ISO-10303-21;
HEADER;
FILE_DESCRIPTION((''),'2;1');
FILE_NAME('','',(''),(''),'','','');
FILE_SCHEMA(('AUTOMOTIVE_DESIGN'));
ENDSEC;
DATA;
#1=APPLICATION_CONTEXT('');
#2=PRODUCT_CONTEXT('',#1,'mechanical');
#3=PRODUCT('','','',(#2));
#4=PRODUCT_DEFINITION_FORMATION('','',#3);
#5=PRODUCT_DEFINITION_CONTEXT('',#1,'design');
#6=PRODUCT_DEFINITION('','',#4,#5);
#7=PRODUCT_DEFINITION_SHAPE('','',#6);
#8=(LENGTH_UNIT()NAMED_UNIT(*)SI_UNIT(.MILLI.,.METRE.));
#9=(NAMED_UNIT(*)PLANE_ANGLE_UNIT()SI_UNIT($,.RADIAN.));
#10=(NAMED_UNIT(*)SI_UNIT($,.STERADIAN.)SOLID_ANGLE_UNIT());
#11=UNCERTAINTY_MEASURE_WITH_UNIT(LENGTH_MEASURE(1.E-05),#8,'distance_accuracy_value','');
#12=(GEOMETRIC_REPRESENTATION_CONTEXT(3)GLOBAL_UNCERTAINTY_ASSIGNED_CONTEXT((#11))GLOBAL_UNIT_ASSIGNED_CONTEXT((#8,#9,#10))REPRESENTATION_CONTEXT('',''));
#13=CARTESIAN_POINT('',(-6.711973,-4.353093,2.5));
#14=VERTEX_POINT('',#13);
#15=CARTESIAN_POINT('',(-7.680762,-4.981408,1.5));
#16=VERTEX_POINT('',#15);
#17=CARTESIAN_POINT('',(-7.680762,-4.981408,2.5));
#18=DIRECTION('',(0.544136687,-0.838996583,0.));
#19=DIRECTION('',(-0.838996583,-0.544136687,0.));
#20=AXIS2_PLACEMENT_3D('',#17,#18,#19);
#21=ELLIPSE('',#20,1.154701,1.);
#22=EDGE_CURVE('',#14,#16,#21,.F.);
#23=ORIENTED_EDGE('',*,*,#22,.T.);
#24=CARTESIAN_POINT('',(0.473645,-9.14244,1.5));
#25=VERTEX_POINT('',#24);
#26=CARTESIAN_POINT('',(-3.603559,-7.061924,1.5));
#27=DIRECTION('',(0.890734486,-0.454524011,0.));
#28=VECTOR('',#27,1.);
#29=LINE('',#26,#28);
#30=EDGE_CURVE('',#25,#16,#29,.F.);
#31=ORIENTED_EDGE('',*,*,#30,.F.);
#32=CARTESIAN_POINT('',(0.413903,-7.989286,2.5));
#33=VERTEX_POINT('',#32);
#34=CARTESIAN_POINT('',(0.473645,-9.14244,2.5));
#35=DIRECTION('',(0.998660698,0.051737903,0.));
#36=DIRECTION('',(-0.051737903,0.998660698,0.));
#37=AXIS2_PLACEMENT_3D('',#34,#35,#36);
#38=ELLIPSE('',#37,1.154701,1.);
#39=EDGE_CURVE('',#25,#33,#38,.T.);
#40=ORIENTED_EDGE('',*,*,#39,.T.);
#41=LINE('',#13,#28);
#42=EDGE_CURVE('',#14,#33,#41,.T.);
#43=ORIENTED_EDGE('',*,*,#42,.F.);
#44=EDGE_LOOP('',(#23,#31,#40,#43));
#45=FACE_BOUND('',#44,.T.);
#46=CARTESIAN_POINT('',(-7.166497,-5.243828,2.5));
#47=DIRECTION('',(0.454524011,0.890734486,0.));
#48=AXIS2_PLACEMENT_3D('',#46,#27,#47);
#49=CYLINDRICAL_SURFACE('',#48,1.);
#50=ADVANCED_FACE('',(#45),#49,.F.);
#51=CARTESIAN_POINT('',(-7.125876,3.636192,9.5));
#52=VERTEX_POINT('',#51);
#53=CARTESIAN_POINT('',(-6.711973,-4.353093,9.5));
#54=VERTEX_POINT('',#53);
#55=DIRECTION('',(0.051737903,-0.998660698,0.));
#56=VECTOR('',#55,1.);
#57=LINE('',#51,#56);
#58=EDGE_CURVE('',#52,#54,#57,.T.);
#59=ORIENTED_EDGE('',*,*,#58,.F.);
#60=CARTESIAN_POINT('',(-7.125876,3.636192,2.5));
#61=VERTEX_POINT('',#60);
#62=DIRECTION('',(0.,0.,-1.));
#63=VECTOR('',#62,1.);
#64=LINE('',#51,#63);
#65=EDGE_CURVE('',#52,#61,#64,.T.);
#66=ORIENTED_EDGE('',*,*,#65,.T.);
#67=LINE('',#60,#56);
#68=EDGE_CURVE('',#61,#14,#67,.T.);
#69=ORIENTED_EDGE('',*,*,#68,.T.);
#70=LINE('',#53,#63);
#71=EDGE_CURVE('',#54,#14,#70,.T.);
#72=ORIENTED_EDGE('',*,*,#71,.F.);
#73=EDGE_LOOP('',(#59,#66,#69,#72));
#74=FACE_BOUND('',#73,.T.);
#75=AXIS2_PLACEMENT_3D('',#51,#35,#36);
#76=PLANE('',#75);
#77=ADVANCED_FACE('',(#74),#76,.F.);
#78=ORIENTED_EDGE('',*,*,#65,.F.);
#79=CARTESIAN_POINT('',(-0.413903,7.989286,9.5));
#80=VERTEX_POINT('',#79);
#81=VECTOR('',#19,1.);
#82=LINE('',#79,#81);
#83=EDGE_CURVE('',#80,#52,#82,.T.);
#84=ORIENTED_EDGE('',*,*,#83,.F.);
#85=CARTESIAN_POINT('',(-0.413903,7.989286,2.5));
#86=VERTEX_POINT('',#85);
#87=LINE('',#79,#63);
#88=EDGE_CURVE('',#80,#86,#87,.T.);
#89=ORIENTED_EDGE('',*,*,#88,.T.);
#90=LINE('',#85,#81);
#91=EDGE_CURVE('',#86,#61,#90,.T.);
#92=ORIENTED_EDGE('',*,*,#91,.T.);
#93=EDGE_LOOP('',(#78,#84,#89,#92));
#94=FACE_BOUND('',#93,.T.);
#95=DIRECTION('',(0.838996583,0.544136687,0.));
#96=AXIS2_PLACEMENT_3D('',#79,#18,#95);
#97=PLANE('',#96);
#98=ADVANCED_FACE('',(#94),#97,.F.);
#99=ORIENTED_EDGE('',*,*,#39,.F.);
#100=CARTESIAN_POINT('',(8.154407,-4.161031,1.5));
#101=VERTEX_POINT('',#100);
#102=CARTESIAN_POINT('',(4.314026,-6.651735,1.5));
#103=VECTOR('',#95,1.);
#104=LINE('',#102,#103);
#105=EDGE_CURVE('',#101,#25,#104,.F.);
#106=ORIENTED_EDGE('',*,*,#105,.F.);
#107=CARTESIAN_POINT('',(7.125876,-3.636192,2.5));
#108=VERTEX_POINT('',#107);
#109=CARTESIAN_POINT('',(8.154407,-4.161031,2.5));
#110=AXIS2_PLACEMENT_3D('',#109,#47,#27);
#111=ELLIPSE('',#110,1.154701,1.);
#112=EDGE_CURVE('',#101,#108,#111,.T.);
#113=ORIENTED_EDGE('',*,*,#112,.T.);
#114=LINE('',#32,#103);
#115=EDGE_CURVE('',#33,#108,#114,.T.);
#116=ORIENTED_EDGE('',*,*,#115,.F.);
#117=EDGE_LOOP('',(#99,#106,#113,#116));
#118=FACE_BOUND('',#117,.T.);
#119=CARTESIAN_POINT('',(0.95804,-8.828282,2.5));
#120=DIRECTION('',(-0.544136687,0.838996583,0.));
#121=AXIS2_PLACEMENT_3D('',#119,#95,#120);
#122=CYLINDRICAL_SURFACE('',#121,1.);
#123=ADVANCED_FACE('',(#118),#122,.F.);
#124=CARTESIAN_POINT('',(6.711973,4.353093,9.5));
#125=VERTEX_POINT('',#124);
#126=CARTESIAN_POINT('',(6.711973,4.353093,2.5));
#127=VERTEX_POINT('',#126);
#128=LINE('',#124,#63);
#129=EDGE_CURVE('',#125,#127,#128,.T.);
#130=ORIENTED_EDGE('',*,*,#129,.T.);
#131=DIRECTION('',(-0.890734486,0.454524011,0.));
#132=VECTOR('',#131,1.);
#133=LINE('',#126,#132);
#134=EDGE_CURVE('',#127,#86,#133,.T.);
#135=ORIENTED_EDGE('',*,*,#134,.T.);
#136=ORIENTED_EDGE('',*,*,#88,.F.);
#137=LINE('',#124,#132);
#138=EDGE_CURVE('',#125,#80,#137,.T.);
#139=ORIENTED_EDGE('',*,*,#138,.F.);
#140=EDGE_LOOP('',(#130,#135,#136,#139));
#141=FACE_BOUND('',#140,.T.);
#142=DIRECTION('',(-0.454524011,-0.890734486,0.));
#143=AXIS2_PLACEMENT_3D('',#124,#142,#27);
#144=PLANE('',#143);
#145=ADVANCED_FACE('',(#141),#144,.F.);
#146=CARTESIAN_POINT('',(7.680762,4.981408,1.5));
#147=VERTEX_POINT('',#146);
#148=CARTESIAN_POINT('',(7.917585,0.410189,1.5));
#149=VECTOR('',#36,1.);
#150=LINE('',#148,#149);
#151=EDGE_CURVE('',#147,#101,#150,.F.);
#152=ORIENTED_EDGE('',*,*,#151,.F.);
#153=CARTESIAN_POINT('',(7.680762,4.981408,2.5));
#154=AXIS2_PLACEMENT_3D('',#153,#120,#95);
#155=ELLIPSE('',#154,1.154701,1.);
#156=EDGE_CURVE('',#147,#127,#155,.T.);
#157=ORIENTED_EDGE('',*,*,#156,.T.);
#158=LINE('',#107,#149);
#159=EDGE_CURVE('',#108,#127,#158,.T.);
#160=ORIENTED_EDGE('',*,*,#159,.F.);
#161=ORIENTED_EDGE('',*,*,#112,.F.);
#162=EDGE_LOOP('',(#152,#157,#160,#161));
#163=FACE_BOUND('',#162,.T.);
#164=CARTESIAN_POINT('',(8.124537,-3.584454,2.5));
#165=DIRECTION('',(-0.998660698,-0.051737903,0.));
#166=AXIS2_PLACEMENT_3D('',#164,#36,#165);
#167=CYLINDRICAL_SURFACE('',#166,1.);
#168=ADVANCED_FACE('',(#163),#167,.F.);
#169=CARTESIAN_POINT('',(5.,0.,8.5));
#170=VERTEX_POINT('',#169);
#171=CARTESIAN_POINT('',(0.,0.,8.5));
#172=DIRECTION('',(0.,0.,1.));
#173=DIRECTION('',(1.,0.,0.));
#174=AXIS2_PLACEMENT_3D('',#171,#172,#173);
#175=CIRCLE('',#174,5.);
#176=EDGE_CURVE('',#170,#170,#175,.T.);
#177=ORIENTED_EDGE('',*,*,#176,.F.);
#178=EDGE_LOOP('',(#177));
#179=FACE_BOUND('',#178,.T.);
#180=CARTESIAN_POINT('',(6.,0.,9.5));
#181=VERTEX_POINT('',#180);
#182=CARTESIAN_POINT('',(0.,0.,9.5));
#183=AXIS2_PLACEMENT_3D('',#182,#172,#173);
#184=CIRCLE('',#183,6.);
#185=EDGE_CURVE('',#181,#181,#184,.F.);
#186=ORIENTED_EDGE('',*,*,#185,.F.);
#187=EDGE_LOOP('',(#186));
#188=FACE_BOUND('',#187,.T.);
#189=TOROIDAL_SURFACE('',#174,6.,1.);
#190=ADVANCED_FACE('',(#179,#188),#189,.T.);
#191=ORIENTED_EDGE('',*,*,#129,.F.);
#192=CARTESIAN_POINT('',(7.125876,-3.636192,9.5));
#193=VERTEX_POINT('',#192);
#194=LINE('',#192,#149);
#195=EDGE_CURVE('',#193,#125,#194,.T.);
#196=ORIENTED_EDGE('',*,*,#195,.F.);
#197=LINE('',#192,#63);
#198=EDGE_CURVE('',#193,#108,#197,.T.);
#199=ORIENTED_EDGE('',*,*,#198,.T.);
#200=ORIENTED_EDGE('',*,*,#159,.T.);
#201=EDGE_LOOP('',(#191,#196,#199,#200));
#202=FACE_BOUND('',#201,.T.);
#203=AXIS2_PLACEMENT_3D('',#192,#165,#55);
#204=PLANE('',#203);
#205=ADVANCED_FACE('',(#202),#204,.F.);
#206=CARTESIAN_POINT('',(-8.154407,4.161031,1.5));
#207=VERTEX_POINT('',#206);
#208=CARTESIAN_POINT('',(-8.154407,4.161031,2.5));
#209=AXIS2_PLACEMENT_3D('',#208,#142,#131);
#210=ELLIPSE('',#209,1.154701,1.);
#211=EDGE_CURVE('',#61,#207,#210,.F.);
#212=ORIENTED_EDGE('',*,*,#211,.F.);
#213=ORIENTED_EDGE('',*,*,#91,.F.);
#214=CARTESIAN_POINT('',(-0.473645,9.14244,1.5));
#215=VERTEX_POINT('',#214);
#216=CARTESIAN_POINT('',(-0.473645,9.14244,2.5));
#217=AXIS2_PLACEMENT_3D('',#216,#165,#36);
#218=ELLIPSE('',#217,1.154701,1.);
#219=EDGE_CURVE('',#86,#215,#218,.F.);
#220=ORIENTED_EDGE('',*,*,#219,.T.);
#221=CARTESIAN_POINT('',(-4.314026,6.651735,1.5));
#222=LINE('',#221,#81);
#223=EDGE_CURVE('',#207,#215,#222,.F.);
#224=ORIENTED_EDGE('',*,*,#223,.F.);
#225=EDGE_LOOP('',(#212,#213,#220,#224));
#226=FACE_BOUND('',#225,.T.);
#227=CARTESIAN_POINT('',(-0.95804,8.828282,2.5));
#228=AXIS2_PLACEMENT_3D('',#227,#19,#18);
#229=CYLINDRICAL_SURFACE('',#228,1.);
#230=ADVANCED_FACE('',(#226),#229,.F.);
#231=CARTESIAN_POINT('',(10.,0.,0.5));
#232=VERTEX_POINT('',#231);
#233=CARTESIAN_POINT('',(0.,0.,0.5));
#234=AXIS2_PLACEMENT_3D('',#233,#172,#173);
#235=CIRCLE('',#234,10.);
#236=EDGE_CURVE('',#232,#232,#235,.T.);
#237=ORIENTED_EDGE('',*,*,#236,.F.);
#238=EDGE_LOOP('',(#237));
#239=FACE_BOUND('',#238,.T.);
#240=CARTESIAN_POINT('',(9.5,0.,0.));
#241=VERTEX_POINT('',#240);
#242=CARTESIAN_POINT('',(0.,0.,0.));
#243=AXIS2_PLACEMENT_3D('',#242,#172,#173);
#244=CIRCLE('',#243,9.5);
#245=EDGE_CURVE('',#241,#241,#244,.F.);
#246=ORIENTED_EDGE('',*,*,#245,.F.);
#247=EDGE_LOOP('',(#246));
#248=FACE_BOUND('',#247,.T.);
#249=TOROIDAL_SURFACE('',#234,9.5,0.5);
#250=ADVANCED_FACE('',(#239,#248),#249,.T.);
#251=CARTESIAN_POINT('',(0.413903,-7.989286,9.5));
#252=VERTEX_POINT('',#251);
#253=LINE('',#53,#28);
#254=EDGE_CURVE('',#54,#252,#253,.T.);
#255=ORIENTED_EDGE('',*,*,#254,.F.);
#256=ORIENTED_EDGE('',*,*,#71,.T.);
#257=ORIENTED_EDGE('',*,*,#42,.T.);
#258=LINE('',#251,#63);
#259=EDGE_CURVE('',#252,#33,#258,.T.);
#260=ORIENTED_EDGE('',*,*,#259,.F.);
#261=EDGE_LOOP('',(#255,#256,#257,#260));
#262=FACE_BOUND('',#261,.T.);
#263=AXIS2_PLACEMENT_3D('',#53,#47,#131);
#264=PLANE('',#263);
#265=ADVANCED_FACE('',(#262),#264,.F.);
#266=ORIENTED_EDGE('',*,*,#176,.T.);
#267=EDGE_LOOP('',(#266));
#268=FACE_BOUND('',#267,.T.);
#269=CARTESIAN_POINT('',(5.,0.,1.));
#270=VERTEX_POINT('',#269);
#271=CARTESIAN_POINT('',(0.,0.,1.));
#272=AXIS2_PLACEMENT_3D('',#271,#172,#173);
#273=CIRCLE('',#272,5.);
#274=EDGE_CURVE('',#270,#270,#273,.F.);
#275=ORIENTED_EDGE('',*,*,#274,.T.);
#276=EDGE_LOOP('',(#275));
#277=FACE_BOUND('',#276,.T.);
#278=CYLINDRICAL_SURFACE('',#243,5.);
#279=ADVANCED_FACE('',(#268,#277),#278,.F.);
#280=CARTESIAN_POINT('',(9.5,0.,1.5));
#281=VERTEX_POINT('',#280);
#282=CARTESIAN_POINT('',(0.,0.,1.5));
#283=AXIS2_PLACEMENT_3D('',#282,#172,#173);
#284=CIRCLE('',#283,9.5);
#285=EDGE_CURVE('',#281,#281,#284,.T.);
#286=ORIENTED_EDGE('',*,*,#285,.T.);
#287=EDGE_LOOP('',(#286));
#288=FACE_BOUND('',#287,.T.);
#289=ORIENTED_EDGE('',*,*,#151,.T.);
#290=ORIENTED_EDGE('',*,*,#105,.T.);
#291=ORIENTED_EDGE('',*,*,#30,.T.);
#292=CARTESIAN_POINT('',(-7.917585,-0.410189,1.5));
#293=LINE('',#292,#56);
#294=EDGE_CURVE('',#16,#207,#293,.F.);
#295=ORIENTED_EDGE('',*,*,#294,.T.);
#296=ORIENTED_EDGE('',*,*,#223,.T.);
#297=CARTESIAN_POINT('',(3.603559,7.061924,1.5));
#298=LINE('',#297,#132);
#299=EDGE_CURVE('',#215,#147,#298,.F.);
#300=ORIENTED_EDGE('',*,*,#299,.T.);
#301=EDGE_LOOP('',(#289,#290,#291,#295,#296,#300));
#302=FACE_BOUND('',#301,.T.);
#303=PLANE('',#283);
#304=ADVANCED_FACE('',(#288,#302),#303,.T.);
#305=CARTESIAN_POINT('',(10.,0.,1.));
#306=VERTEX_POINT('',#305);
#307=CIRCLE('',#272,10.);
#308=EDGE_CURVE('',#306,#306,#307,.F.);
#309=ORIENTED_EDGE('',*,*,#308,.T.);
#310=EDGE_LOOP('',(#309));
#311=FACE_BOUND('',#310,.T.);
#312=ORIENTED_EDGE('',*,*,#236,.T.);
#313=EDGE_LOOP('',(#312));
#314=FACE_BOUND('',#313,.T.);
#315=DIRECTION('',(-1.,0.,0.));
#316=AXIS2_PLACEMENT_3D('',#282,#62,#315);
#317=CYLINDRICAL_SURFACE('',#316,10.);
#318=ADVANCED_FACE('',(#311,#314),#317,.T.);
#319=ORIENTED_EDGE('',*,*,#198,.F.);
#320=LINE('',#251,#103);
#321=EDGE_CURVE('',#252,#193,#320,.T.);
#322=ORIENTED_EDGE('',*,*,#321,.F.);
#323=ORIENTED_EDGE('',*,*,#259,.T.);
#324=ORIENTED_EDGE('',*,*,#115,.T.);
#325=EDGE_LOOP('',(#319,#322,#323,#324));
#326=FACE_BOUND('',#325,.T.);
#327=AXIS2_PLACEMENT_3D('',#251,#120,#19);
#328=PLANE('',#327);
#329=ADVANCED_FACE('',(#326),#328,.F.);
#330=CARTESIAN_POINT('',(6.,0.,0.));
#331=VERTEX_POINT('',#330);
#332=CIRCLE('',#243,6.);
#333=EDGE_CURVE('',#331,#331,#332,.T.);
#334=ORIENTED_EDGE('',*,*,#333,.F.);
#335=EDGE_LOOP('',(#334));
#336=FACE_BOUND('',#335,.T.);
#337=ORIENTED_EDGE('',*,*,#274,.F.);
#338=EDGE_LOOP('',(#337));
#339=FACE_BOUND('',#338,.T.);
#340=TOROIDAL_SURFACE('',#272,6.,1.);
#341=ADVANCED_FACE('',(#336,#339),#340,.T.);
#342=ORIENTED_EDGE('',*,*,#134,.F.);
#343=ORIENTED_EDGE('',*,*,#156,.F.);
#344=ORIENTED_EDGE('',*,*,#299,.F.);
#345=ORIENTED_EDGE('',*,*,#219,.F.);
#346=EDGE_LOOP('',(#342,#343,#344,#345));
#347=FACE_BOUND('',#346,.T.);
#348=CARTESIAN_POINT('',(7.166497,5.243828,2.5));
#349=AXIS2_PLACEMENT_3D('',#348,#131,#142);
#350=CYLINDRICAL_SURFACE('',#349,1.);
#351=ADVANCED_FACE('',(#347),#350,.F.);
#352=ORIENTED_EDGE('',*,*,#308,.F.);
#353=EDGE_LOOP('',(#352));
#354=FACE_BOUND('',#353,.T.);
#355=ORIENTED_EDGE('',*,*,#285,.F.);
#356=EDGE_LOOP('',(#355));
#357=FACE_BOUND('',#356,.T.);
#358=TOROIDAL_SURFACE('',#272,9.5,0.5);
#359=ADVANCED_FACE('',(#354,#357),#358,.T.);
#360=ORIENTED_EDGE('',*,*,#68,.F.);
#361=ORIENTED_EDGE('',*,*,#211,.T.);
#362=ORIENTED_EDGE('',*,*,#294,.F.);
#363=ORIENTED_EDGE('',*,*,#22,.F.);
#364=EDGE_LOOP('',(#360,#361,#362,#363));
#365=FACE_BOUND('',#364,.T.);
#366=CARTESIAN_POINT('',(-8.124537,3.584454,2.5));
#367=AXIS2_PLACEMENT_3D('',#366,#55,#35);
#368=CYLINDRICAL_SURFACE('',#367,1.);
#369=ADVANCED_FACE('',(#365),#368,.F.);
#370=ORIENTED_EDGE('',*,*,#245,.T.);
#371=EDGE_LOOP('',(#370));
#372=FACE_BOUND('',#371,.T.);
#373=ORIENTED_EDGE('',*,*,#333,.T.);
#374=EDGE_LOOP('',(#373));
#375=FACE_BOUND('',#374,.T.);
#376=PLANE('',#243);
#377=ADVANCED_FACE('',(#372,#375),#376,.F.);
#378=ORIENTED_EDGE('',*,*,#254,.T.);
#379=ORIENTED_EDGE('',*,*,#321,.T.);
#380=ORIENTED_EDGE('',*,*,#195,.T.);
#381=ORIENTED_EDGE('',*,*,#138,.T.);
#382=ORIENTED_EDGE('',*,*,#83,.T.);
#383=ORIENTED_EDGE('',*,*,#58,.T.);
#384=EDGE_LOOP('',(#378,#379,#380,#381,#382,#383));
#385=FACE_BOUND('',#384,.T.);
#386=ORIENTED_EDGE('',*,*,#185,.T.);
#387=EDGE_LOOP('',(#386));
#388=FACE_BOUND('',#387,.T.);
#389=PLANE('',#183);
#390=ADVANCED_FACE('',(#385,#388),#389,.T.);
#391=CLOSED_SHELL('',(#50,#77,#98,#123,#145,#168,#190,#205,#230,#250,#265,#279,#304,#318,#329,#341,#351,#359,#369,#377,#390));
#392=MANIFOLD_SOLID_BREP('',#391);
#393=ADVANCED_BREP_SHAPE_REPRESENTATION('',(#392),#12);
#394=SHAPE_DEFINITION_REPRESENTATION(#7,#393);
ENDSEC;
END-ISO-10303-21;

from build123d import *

# Parameters (mm, degrees)
SKETCH1_R           = 10
BOSS_EXTRUDE2_DEPTH = 1.5
FILLET1_R           = 0.5
BOSS_EXTRUDE3_DEPTH = 8
FILLET2_R           = 1
SKETCH5_R           = 5
CUT_EXTRUDE1_DEPTH  = 18.036725155
FILLET3_R           = 1


with BuildPart() as part:
    # Sketch1 → Boss-Extrude2 (new body)
    with BuildSketch(Plane.XY):
        Circle(SKETCH1_R)
    extrude(amount=BOSS_EXTRUDE2_DEPTH)

    # Fillet1
    fillet1_edges = [part.edges().sort_by_distance(p)[0] for p in [
        (-10, 0, 0),
        (-10, 0, 1.5),
    ]]
    fillet(fillet1_edges, radius=FILLET1_R)

    # Sketch3 → Boss-Extrude3 (add)
    with BuildSketch(Plane.XY.offset(1.5)):
        Polygon((-7.125875884, 3.636192085), (-6.711972661, -4.353093498), (0.413903224, -7.989285583), (7.125875884, -3.636192085), (6.711972661, 4.353093498), (-0.413903224, 7.989285583), align=None)
    extrude(amount=BOSS_EXTRUDE3_DEPTH)

    # Fillet2
    fillet2_edges = [part.edges().sort_by_distance(p)[0] for p in [
        (-3.769889554, 5.812738834, 1.5),
        (-6.918924273, -0.358450706, 1.5),
        (-3.149034719, -6.17118954, 1.5),
        (3.769889554, -5.812738834, 1.5),
        (6.918924273, 0.358450706, 1.5),
        (3.149034719, 6.17118954, 1.5),
    ]]
    fillet(fillet2_edges, radius=FILLET2_R)

    # Sketch5 → Cut-Extrude1 (cut, through all)
    with BuildSketch(Plane.XY.offset(9.5)):
        Circle(SKETCH5_R)
    extrude(amount=-CUT_EXTRUDE1_DEPTH, mode=Mode.SUBTRACT)

    # Fillet3
    fillet3_edges = [part.edges().sort_by_distance(p)[0] for p in [
        (-5, 0, 0),
        (-5, 0, 9.5),
    ]]
    fillet(fillet3_edges, radius=FILLET3_R)


solid = part.part
